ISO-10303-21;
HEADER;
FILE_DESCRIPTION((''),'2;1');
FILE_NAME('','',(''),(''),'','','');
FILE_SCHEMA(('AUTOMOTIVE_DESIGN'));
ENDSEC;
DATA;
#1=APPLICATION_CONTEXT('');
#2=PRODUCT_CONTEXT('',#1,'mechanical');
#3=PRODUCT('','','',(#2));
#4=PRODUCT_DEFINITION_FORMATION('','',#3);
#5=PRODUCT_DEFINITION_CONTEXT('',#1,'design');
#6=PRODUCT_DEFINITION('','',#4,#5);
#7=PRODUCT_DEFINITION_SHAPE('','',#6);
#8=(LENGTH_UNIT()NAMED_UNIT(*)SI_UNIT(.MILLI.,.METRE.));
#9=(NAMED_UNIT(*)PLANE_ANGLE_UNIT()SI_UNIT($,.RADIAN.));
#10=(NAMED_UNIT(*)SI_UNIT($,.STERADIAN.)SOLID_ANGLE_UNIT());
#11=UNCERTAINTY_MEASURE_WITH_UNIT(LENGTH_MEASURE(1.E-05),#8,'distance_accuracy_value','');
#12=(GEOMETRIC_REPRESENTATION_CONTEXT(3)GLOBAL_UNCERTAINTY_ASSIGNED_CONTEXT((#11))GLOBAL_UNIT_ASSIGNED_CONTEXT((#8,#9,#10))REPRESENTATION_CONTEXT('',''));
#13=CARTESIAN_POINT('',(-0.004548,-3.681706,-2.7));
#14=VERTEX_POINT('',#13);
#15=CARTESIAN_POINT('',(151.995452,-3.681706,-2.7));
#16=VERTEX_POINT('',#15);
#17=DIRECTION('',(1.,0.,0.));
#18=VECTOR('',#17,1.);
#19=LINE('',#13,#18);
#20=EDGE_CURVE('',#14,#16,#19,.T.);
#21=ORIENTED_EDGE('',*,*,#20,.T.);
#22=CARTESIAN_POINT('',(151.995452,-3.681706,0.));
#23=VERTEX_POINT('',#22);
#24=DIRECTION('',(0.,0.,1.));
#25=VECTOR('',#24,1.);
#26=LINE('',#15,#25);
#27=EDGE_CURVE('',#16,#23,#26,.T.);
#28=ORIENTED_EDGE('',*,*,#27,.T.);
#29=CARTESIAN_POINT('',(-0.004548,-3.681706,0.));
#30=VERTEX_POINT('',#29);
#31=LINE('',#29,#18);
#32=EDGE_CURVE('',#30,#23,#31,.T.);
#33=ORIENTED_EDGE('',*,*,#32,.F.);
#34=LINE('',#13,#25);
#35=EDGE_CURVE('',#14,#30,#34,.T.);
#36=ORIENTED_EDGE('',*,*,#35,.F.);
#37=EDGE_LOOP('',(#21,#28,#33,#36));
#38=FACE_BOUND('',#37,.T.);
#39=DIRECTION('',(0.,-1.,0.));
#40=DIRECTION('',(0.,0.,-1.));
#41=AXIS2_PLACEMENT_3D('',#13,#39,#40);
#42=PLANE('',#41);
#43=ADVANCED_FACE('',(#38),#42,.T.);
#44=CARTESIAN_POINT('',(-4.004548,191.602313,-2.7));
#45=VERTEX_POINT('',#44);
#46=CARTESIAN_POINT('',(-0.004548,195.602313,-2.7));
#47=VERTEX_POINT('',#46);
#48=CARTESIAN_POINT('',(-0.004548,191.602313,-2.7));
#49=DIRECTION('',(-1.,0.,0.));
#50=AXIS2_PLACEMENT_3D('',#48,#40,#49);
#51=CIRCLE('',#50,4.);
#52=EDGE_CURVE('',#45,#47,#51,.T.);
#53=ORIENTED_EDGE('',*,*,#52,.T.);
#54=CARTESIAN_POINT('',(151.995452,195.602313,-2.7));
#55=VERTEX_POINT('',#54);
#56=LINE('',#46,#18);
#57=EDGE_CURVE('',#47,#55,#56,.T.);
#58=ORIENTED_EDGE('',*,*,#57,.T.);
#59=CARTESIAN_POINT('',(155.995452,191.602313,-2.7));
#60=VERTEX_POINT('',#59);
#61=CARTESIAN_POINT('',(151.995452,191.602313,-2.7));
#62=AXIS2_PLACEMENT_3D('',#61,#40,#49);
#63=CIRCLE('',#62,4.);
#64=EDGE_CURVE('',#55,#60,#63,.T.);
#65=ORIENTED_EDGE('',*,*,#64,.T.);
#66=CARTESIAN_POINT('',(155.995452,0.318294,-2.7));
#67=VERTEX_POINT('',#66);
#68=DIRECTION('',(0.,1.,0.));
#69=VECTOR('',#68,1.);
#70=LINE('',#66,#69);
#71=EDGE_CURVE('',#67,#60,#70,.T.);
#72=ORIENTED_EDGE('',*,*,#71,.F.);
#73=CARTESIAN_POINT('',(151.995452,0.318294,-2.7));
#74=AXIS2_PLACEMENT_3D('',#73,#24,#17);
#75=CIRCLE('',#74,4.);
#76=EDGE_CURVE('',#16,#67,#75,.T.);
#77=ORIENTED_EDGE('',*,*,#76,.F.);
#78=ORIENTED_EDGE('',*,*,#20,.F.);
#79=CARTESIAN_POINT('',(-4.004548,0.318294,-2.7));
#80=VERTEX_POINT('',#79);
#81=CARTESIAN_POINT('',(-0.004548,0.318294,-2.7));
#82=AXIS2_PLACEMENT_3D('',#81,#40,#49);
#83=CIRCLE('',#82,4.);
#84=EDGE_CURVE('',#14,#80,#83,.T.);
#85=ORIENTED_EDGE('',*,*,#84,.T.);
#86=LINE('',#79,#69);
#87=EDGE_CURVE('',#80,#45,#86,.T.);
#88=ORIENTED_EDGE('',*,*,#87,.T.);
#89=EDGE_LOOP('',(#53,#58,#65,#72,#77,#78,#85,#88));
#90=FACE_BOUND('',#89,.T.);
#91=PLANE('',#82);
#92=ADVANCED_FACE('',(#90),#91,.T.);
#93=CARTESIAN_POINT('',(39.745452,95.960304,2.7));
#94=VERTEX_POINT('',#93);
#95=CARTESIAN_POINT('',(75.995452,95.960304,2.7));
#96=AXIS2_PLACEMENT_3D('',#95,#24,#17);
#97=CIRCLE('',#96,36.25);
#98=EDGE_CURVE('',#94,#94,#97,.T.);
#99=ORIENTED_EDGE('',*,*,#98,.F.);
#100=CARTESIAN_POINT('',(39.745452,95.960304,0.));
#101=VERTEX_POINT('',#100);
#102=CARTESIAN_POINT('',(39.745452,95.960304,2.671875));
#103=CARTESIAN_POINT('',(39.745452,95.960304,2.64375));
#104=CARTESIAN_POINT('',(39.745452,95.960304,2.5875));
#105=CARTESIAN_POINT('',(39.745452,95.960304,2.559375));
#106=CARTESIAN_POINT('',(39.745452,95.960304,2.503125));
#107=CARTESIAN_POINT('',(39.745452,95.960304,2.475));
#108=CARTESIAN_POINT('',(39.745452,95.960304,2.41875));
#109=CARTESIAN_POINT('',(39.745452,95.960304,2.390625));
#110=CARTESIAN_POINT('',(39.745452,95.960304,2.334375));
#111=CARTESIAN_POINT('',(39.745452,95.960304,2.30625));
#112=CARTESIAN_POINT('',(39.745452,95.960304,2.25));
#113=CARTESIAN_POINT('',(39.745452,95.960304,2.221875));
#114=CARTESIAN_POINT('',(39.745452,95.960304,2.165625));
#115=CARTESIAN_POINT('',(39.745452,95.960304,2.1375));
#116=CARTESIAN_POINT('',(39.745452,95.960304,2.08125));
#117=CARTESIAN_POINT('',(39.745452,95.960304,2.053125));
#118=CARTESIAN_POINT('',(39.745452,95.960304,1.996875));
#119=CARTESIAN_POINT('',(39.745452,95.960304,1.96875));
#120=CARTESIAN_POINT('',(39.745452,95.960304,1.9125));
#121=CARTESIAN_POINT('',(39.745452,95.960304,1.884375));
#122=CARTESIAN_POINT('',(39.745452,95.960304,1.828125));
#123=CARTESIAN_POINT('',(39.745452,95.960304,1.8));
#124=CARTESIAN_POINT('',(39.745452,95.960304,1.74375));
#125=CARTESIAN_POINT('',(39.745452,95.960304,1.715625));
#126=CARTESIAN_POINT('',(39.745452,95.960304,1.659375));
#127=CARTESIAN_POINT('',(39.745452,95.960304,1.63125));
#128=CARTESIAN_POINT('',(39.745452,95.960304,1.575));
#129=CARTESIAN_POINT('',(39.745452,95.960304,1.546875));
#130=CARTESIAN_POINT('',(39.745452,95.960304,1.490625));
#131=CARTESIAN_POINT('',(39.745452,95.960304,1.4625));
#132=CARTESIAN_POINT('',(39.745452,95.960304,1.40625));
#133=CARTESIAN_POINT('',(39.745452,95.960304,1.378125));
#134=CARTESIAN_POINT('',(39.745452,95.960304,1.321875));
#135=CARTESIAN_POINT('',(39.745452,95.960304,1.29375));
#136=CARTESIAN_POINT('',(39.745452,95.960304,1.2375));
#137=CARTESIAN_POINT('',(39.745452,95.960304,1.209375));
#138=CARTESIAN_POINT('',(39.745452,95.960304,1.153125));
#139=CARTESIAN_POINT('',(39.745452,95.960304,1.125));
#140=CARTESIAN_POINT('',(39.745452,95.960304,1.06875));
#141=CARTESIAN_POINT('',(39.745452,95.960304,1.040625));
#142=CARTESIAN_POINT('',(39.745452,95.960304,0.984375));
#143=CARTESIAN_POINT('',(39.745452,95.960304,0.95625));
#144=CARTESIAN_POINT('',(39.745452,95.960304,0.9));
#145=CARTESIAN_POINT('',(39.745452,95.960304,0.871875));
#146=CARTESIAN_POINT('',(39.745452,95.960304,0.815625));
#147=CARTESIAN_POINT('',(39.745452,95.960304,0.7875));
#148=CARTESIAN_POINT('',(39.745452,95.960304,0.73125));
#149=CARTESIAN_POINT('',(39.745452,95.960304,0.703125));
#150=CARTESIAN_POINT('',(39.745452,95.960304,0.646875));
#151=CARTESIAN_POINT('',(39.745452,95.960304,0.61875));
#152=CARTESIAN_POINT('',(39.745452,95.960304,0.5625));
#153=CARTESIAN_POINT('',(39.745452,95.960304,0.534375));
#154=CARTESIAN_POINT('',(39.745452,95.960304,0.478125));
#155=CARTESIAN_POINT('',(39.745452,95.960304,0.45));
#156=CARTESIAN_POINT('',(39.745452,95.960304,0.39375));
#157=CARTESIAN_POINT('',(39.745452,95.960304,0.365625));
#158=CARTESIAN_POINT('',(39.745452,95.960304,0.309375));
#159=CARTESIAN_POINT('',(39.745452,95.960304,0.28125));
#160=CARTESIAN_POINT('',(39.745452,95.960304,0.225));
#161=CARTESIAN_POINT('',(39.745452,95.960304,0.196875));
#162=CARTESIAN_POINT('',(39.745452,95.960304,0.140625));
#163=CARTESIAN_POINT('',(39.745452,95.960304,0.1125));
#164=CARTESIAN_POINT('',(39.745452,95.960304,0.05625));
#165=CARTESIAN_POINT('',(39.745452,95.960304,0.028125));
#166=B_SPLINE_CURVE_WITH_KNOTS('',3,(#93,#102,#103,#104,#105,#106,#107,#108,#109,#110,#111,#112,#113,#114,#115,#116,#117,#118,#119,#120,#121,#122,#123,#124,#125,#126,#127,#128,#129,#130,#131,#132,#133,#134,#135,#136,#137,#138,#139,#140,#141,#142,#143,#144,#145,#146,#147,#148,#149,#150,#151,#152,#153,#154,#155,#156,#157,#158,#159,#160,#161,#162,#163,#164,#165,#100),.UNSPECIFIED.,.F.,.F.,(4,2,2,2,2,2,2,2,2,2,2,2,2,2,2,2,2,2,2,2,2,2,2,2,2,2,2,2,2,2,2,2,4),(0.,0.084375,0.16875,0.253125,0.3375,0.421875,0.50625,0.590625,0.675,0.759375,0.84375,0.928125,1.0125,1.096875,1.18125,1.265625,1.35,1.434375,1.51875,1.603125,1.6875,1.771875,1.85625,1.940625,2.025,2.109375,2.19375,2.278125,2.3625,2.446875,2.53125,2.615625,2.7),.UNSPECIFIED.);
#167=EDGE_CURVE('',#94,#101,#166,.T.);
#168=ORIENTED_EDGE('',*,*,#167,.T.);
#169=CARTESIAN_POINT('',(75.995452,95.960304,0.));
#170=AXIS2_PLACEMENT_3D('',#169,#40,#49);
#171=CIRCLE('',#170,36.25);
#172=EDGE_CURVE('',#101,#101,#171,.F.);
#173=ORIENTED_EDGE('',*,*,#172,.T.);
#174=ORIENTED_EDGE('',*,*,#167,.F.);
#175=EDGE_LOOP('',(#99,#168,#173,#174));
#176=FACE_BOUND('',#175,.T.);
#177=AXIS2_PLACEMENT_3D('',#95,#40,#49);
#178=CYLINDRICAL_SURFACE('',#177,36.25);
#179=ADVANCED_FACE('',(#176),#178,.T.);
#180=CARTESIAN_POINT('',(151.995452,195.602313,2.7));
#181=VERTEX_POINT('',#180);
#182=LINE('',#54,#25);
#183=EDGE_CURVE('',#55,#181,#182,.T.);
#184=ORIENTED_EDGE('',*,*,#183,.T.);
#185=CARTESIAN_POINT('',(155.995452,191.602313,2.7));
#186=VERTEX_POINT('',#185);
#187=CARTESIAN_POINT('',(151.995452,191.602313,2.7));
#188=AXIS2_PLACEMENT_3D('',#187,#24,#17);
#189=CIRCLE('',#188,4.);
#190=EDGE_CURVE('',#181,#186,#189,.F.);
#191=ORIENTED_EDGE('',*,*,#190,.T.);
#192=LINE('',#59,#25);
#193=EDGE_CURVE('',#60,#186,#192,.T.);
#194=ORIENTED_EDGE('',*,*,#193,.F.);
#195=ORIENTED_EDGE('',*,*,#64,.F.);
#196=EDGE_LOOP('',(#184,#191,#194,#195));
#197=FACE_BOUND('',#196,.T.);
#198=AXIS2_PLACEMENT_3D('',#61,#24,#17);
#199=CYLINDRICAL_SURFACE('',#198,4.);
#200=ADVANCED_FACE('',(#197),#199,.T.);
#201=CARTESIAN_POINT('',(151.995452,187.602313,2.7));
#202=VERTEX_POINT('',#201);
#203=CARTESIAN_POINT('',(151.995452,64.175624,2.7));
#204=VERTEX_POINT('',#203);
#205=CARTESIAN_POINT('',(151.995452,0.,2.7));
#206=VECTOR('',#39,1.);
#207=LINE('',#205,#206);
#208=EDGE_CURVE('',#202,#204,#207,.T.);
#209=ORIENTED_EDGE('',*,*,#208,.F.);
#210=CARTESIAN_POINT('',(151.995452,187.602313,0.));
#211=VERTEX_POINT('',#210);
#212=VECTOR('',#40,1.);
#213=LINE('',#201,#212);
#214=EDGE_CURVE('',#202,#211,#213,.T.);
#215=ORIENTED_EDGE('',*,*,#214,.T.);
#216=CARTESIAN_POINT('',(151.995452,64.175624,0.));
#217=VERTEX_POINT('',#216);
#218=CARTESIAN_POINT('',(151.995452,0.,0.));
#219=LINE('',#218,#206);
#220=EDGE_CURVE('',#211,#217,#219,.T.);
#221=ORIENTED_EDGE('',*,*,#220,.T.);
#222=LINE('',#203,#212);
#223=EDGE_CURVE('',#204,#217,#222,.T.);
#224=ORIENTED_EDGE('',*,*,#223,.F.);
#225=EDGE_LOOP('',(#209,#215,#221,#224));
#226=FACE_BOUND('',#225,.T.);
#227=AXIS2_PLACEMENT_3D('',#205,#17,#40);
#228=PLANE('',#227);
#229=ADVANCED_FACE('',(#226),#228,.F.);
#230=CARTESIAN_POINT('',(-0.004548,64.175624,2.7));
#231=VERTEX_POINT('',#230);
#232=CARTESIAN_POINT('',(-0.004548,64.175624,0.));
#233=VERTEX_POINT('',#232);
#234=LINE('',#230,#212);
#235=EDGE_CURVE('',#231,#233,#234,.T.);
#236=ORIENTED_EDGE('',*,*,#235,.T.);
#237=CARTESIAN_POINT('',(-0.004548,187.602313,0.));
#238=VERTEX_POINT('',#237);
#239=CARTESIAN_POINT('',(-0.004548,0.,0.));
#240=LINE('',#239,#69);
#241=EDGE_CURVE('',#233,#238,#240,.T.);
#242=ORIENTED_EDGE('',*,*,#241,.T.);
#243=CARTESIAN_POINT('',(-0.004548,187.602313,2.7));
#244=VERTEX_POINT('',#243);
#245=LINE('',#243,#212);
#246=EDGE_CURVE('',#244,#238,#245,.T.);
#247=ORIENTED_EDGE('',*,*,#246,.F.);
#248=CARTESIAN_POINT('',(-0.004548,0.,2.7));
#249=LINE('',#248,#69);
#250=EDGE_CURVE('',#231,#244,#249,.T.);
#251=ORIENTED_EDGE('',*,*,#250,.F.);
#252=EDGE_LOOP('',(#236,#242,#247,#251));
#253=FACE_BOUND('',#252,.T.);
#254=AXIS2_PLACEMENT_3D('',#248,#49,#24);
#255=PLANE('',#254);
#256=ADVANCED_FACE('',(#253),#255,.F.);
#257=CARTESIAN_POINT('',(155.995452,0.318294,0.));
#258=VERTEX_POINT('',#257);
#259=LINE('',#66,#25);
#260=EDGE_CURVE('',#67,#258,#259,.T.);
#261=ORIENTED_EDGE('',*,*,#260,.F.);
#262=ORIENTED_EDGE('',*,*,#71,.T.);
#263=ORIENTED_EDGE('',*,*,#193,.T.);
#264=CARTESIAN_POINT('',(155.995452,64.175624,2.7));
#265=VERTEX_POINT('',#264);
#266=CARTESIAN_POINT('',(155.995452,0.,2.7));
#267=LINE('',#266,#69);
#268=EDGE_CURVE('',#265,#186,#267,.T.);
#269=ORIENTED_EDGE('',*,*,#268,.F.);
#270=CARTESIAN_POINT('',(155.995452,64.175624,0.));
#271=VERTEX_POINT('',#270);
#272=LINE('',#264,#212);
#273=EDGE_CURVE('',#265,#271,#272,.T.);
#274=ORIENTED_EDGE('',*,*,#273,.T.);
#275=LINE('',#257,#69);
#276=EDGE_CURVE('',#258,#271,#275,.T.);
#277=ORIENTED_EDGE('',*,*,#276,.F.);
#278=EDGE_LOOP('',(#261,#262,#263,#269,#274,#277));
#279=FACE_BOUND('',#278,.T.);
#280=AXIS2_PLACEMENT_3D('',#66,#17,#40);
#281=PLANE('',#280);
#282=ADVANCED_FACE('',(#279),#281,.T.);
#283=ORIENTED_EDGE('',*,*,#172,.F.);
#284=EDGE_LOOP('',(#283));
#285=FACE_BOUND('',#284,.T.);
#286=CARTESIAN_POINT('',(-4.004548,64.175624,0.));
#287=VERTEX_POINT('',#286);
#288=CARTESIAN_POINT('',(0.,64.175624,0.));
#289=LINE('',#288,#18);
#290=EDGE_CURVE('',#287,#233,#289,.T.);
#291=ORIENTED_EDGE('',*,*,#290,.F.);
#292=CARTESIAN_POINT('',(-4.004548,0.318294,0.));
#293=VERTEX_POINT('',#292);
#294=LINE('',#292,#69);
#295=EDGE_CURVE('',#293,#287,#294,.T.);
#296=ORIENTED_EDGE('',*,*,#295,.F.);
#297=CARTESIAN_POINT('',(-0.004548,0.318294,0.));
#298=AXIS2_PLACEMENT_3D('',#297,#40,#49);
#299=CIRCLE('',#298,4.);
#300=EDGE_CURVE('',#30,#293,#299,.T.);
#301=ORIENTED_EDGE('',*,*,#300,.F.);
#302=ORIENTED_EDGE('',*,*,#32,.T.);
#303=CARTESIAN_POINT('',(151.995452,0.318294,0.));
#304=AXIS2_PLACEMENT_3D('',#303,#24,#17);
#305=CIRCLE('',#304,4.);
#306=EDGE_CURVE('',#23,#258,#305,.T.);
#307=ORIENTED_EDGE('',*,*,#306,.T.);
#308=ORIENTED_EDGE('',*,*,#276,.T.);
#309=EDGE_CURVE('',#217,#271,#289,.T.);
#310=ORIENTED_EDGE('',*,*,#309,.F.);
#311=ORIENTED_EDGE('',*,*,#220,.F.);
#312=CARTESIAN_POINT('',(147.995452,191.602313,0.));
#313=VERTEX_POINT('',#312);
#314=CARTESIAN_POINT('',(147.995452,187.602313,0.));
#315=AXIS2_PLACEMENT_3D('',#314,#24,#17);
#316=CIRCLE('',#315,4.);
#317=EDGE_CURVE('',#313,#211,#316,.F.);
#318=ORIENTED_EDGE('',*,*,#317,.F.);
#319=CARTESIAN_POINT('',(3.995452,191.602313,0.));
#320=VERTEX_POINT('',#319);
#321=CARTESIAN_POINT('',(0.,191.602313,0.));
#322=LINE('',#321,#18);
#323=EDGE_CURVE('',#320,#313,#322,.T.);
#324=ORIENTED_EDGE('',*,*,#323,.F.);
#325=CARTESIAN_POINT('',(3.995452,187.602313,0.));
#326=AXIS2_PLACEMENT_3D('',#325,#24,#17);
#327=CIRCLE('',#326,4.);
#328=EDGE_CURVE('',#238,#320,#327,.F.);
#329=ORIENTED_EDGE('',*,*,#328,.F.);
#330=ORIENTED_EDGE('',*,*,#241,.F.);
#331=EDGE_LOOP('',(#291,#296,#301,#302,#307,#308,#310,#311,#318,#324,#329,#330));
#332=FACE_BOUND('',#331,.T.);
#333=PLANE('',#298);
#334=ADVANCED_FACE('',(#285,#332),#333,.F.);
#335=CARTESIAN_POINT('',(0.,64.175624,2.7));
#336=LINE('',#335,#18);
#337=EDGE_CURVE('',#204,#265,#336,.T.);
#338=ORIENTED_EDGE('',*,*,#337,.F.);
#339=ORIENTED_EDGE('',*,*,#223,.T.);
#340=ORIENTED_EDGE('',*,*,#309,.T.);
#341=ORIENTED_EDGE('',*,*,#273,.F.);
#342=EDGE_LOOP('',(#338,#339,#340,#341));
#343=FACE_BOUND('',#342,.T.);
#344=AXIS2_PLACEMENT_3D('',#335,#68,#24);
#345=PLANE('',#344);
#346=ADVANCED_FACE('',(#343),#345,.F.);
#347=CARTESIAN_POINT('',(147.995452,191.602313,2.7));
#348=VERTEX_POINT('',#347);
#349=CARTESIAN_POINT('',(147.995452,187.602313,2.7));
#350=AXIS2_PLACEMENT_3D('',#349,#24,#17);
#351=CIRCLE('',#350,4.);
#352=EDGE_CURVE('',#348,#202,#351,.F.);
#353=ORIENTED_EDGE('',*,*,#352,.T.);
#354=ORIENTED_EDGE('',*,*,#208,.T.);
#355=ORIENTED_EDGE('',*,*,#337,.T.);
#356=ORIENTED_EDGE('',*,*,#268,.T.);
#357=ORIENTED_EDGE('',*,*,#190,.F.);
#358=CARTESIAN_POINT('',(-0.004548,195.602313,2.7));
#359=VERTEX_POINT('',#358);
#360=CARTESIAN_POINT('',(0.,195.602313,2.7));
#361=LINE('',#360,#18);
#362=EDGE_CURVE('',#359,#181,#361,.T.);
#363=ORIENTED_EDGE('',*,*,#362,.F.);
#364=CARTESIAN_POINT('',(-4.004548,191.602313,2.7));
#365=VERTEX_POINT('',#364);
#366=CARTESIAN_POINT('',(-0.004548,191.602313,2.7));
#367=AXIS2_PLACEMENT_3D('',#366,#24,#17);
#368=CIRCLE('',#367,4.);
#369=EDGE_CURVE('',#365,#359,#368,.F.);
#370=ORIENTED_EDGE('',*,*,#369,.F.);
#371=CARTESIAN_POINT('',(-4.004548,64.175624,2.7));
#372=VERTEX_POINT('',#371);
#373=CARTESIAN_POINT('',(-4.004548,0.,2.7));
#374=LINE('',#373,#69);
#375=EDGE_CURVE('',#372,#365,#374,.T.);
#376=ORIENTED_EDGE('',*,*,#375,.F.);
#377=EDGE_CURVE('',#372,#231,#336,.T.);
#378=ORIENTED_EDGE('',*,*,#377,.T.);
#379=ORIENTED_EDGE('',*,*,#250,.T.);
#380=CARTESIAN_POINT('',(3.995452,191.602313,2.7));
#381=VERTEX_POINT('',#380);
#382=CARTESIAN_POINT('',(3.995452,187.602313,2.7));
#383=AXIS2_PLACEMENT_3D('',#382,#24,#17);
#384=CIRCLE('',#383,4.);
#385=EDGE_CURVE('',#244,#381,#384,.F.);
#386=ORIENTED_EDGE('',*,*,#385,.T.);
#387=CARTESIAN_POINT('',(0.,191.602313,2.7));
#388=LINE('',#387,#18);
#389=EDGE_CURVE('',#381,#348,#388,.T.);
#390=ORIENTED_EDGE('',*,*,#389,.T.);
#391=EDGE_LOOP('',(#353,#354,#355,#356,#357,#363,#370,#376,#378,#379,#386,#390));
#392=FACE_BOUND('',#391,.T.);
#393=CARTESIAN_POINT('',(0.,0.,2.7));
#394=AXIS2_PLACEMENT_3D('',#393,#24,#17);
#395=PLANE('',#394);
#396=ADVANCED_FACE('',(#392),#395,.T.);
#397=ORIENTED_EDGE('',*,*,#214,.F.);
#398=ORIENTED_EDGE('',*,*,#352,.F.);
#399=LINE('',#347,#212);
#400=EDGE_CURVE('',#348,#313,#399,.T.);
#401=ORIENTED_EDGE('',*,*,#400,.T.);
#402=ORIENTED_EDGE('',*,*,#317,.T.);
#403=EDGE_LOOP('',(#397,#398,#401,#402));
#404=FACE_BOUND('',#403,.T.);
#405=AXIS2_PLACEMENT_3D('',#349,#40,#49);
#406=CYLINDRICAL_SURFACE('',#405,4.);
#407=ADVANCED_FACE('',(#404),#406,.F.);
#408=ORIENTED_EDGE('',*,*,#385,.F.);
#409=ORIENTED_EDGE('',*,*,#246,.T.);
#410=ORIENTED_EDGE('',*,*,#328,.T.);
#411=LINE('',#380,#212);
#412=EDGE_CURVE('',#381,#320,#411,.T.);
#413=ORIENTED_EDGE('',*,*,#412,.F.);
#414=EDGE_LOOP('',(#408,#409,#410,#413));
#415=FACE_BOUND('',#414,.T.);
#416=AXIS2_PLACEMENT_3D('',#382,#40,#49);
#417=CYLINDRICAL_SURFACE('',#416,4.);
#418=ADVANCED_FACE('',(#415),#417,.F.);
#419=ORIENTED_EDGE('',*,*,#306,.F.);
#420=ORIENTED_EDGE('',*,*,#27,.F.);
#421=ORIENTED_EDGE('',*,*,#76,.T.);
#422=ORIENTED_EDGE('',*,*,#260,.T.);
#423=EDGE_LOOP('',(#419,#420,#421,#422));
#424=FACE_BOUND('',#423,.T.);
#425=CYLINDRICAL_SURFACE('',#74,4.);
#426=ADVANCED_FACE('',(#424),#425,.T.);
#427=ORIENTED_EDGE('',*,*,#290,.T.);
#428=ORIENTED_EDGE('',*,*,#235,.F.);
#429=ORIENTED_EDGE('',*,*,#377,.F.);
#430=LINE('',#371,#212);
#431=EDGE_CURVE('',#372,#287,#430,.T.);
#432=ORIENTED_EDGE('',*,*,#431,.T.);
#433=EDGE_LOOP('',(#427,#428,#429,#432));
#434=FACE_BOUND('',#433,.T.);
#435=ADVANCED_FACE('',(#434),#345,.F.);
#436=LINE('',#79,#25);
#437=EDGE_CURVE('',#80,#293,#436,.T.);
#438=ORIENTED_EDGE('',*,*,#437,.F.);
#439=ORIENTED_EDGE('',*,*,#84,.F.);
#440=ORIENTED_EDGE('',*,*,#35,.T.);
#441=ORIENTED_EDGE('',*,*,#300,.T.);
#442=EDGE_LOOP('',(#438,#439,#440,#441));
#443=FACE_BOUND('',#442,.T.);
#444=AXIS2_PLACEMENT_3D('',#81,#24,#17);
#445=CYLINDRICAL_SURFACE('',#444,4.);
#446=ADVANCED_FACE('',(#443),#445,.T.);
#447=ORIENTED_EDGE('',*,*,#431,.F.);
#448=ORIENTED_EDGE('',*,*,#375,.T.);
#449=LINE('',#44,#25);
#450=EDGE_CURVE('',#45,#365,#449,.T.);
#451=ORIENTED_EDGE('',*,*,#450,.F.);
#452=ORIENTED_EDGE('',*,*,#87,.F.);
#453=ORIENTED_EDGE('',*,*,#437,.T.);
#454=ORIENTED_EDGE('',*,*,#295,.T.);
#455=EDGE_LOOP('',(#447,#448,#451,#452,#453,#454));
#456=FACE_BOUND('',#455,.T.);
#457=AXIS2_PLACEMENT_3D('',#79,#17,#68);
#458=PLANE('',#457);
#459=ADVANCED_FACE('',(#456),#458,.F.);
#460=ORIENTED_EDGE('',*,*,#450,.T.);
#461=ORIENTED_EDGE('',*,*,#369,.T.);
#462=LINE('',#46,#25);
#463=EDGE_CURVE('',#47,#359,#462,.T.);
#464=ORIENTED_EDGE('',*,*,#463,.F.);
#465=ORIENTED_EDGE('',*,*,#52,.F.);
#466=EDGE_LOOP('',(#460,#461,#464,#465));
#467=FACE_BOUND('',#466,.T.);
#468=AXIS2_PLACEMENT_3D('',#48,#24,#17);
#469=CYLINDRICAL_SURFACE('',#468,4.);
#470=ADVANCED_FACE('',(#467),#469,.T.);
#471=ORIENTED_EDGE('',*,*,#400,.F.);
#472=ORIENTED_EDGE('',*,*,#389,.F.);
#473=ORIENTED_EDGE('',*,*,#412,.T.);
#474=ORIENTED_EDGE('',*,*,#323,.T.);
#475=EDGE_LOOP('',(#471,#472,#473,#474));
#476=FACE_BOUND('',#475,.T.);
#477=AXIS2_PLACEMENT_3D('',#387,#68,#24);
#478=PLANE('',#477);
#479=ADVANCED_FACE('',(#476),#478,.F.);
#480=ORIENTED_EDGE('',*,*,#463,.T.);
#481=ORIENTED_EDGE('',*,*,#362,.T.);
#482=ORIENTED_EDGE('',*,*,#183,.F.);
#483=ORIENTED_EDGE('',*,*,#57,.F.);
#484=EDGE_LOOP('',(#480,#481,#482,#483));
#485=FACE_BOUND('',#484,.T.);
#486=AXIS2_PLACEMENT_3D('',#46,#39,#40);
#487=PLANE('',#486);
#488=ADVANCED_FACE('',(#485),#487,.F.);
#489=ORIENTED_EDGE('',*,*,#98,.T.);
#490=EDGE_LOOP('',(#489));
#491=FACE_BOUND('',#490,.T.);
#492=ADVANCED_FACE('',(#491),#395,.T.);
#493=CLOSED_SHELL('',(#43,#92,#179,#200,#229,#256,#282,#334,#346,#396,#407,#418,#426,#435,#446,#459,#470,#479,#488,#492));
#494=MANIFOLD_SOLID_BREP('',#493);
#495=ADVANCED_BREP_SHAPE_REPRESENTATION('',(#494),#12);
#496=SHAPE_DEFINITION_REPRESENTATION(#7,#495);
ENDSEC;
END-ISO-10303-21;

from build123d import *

# Parameters (mm, degrees)
BOSS_EXTRUDE1_DEPTH = 2.7
BOSS_EXTRUDE2_START = 2.7
SKETCH1_4_R         = 36.25
BOSS_EXTRUDE2_DEPTH = 2.7


with BuildPart() as part:
    # Sketch1 → Boss-Extrude1 (new body)
    with BuildSketch(Plane.XY):
        with BuildLine():
            Line((-0.00454753, -3.681705965), (151.99545247, -3.681705965))
            ThreePointArc((151.99545247, -3.681705965), (154.823879594, -2.510133089), (155.99545247, 0.318294035))
            Line((155.99545247, 0.318294035), (155.99545247, 191.602313493))
            ThreePointArc((155.99545247, 191.602313493), (154.823879594, 194.430740617), (151.99545247, 195.602313493))
            Line((151.99545247, 195.602313493), (-0.00454753, 195.602313493))
            ThreePointArc((-0.00454753, 195.602313493), (-2.832974655, 194.430740617), (-4.00454753, 191.602313493))
            Line((-4.00454753, 191.602313493), (-4.00454753, 0.318294035))
            ThreePointArc((-4.00454753, 0.318294035), (-2.832974655, -2.510133089), (-0.00454753, -3.681705965))
        make_face()
    extrude(amount=-BOSS_EXTRUDE1_DEPTH)

    # Sketch1<4> → Boss-Extrude2 (add)
    with BuildSketch(Plane.XY.offset(BOSS_EXTRUDE2_START)):
        with BuildLine():
            Line((-4.00454753, 191.602313493), (-4.00454753, 64.175623566))
            Line((-4.00454753, 64.175623566), (-0.00454753, 64.175623566))
            Line((-0.00454753, 64.175623566), (-0.00454753, 187.602313493))
            ThreePointArc((-0.00454753, 187.602313493), (1.167025345, 190.430740617), (3.99545247, 191.602313493))
            Line((3.99545247, 191.602313493), (147.99545247, 191.602313493))
            ThreePointArc((147.99545247, 191.602313493), (150.823879594, 190.430740617), (151.99545247, 187.602313493))
            Line((151.99545247, 187.602313493), (151.99545247, 64.175623566))
            Line((151.99545247, 64.175623566), (155.99545247, 64.175623566))
            Line((155.99545247, 64.175623566), (155.99545247, 191.602313493))
            ThreePointArc((155.99545247, 191.602313493), (154.823879594, 194.430740617), (151.99545247, 195.602313493))
            Line((151.99545247, 195.602313493), (-0.00454753, 195.602313493))
            ThreePointArc((-0.00454753, 195.602313493), (-2.832974655, 194.430740617), (-4.00454753, 191.602313493))
        make_face()
        with Locations((75.99545247, 95.960303764)):
            Circle(SKETCH1_4_R)
    extrude(amount=-BOSS_EXTRUDE2_DEPTH)


solid = part.part
